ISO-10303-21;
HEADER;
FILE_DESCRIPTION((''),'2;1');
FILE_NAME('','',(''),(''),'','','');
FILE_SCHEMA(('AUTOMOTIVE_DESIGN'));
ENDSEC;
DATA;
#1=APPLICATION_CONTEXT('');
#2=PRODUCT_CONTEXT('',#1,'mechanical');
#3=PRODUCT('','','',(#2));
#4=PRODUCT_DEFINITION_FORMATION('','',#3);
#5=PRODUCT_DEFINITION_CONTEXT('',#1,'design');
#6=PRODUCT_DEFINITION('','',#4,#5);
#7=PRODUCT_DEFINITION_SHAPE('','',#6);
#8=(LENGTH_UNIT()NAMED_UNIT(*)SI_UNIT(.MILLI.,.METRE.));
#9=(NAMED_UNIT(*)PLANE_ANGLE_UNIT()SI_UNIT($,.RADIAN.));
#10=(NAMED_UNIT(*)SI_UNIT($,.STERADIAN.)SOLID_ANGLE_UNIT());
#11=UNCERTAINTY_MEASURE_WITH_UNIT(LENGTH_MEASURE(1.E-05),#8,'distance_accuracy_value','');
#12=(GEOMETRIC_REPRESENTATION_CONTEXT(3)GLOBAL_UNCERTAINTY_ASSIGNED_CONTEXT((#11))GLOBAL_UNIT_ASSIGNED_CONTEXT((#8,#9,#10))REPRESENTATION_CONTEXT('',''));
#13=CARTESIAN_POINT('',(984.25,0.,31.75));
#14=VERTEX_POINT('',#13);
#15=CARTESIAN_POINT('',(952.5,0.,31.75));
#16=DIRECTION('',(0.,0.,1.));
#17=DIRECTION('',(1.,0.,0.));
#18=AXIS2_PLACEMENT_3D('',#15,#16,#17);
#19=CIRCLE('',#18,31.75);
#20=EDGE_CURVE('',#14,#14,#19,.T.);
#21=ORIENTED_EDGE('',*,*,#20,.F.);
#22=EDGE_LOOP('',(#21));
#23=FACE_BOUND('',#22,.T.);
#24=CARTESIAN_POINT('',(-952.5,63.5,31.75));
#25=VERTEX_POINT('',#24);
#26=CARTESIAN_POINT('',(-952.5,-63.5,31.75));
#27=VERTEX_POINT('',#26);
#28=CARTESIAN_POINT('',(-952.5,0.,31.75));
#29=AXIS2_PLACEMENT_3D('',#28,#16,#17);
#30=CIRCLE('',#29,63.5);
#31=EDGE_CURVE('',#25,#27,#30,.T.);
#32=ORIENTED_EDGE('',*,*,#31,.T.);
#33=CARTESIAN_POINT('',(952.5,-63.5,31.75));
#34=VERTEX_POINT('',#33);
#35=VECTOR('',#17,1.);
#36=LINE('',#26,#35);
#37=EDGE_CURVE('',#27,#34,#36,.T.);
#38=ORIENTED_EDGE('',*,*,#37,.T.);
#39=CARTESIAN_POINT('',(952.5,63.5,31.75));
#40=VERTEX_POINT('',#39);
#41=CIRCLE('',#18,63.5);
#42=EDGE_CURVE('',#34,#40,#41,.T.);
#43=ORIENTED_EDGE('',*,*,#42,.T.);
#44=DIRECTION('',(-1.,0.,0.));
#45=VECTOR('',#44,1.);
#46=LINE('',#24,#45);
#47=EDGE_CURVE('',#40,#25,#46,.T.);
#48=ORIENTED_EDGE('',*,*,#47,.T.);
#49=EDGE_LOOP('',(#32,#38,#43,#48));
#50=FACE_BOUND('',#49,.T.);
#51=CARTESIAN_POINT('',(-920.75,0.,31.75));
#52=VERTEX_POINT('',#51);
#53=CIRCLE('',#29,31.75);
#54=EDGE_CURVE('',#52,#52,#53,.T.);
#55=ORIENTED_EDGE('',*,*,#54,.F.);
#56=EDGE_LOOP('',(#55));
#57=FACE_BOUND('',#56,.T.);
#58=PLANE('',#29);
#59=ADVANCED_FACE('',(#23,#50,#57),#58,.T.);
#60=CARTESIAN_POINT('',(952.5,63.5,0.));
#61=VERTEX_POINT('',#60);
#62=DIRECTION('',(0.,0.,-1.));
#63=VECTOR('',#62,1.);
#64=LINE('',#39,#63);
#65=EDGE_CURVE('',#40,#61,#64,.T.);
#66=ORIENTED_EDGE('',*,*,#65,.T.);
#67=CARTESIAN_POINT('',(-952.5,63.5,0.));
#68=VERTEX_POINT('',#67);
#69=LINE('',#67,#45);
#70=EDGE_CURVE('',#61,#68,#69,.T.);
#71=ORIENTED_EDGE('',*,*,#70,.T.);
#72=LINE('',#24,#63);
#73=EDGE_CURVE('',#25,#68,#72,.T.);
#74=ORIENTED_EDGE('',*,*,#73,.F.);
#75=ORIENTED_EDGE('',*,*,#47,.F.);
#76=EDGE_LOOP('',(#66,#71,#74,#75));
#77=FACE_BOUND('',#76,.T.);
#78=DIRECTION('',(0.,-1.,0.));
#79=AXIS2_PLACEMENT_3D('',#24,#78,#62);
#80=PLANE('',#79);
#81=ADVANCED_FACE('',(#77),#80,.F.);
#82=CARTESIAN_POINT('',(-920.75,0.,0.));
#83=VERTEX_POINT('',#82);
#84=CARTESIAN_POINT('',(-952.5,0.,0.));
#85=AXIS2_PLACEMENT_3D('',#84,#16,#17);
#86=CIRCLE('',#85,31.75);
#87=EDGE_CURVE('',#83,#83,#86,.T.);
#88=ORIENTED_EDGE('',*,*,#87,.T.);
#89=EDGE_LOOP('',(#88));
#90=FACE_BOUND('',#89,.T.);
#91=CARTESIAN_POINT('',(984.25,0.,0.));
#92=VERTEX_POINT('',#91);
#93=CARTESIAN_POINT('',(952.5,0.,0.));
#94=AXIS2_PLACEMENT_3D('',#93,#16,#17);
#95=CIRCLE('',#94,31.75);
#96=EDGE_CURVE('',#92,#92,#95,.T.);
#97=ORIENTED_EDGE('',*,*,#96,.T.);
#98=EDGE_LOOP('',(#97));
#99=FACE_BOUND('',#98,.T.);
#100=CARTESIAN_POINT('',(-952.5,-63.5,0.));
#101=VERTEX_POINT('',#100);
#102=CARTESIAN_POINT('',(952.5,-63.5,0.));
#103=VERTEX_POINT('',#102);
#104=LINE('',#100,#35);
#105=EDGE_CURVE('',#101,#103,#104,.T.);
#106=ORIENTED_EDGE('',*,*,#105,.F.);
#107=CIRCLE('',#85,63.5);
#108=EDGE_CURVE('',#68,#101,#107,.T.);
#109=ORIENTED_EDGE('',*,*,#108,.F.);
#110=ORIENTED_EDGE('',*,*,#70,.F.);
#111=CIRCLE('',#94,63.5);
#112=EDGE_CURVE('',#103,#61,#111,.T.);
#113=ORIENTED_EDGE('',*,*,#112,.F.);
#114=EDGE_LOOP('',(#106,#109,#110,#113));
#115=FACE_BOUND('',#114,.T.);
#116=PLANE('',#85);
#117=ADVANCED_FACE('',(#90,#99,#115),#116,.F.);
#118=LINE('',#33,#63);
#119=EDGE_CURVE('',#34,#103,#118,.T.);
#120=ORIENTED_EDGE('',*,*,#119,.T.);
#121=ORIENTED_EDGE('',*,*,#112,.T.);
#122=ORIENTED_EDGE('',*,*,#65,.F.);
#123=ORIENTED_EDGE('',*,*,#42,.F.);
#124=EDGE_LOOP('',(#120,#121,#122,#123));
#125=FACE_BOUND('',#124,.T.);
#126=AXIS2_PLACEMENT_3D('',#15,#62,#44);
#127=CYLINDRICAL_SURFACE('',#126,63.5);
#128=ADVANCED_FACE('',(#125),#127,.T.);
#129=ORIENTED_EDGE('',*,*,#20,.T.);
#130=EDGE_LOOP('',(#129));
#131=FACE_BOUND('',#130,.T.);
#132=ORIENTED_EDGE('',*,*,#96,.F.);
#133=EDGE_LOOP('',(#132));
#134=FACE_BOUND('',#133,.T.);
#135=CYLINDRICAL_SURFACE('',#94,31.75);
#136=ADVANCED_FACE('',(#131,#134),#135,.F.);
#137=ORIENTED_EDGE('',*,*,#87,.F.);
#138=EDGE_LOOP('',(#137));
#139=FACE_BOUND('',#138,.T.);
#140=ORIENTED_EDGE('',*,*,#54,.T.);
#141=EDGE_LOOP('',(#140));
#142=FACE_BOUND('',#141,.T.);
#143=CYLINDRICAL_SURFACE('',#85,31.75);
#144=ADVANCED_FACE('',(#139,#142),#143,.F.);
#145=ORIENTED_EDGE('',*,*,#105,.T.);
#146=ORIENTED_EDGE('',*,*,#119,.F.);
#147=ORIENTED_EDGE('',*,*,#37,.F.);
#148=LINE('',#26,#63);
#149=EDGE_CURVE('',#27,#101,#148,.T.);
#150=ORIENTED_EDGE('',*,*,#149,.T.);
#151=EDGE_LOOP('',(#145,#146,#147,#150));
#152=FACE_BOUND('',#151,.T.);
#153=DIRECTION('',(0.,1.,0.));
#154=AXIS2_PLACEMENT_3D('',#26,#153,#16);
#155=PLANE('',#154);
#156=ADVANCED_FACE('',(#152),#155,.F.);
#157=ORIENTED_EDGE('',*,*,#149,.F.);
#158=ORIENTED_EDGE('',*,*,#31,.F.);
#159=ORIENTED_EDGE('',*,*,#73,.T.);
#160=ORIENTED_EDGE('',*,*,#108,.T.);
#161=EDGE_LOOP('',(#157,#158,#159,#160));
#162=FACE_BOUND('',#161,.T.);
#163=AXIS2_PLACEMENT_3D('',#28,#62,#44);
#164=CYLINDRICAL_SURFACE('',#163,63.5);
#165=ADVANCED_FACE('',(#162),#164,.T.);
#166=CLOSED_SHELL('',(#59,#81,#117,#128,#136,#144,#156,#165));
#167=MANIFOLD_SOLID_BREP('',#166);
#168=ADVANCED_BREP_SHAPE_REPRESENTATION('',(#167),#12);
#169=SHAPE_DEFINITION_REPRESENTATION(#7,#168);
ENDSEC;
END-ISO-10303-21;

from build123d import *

# Parameters (mm, degrees)
BOSS_EXTRUDE1_DEPTH = 31.75
SKETCH2_R           = 31.75
CUT_EXTRUDE1_DEPTH  = 1019.477448204


with BuildPart() as part:
    # Sketch1 → Boss-Extrude1 (new body)
    with BuildSketch(Plane.XY):
        with BuildLine():
            Line((-952.5, 63.5), (952.5, 63.5))
            ThreePointArc((952.5, 63.5), (1016, 0), (952.5, -63.5))
            Line((952.5, -63.5), (-952.5, -63.5))
            ThreePointArc((-952.5, -63.5), (-1016, 0), (-952.5, 63.5))
        make_face()
    extrude(amount=BOSS_EXTRUDE1_DEPTH)

    # Sketch2 → Cut-Extrude1 (cut, through all)
    with BuildSketch(Plane.XY.offset(31.75)):
        with Locations((-952.5, 0)):
            Circle(SKETCH2_R)
        with Locations((952.5, 0)):
            Circle(SKETCH2_R)
    extrude(amount=-CUT_EXTRUDE1_DEPTH, mode=Mode.SUBTRACT)


solid = part.part
